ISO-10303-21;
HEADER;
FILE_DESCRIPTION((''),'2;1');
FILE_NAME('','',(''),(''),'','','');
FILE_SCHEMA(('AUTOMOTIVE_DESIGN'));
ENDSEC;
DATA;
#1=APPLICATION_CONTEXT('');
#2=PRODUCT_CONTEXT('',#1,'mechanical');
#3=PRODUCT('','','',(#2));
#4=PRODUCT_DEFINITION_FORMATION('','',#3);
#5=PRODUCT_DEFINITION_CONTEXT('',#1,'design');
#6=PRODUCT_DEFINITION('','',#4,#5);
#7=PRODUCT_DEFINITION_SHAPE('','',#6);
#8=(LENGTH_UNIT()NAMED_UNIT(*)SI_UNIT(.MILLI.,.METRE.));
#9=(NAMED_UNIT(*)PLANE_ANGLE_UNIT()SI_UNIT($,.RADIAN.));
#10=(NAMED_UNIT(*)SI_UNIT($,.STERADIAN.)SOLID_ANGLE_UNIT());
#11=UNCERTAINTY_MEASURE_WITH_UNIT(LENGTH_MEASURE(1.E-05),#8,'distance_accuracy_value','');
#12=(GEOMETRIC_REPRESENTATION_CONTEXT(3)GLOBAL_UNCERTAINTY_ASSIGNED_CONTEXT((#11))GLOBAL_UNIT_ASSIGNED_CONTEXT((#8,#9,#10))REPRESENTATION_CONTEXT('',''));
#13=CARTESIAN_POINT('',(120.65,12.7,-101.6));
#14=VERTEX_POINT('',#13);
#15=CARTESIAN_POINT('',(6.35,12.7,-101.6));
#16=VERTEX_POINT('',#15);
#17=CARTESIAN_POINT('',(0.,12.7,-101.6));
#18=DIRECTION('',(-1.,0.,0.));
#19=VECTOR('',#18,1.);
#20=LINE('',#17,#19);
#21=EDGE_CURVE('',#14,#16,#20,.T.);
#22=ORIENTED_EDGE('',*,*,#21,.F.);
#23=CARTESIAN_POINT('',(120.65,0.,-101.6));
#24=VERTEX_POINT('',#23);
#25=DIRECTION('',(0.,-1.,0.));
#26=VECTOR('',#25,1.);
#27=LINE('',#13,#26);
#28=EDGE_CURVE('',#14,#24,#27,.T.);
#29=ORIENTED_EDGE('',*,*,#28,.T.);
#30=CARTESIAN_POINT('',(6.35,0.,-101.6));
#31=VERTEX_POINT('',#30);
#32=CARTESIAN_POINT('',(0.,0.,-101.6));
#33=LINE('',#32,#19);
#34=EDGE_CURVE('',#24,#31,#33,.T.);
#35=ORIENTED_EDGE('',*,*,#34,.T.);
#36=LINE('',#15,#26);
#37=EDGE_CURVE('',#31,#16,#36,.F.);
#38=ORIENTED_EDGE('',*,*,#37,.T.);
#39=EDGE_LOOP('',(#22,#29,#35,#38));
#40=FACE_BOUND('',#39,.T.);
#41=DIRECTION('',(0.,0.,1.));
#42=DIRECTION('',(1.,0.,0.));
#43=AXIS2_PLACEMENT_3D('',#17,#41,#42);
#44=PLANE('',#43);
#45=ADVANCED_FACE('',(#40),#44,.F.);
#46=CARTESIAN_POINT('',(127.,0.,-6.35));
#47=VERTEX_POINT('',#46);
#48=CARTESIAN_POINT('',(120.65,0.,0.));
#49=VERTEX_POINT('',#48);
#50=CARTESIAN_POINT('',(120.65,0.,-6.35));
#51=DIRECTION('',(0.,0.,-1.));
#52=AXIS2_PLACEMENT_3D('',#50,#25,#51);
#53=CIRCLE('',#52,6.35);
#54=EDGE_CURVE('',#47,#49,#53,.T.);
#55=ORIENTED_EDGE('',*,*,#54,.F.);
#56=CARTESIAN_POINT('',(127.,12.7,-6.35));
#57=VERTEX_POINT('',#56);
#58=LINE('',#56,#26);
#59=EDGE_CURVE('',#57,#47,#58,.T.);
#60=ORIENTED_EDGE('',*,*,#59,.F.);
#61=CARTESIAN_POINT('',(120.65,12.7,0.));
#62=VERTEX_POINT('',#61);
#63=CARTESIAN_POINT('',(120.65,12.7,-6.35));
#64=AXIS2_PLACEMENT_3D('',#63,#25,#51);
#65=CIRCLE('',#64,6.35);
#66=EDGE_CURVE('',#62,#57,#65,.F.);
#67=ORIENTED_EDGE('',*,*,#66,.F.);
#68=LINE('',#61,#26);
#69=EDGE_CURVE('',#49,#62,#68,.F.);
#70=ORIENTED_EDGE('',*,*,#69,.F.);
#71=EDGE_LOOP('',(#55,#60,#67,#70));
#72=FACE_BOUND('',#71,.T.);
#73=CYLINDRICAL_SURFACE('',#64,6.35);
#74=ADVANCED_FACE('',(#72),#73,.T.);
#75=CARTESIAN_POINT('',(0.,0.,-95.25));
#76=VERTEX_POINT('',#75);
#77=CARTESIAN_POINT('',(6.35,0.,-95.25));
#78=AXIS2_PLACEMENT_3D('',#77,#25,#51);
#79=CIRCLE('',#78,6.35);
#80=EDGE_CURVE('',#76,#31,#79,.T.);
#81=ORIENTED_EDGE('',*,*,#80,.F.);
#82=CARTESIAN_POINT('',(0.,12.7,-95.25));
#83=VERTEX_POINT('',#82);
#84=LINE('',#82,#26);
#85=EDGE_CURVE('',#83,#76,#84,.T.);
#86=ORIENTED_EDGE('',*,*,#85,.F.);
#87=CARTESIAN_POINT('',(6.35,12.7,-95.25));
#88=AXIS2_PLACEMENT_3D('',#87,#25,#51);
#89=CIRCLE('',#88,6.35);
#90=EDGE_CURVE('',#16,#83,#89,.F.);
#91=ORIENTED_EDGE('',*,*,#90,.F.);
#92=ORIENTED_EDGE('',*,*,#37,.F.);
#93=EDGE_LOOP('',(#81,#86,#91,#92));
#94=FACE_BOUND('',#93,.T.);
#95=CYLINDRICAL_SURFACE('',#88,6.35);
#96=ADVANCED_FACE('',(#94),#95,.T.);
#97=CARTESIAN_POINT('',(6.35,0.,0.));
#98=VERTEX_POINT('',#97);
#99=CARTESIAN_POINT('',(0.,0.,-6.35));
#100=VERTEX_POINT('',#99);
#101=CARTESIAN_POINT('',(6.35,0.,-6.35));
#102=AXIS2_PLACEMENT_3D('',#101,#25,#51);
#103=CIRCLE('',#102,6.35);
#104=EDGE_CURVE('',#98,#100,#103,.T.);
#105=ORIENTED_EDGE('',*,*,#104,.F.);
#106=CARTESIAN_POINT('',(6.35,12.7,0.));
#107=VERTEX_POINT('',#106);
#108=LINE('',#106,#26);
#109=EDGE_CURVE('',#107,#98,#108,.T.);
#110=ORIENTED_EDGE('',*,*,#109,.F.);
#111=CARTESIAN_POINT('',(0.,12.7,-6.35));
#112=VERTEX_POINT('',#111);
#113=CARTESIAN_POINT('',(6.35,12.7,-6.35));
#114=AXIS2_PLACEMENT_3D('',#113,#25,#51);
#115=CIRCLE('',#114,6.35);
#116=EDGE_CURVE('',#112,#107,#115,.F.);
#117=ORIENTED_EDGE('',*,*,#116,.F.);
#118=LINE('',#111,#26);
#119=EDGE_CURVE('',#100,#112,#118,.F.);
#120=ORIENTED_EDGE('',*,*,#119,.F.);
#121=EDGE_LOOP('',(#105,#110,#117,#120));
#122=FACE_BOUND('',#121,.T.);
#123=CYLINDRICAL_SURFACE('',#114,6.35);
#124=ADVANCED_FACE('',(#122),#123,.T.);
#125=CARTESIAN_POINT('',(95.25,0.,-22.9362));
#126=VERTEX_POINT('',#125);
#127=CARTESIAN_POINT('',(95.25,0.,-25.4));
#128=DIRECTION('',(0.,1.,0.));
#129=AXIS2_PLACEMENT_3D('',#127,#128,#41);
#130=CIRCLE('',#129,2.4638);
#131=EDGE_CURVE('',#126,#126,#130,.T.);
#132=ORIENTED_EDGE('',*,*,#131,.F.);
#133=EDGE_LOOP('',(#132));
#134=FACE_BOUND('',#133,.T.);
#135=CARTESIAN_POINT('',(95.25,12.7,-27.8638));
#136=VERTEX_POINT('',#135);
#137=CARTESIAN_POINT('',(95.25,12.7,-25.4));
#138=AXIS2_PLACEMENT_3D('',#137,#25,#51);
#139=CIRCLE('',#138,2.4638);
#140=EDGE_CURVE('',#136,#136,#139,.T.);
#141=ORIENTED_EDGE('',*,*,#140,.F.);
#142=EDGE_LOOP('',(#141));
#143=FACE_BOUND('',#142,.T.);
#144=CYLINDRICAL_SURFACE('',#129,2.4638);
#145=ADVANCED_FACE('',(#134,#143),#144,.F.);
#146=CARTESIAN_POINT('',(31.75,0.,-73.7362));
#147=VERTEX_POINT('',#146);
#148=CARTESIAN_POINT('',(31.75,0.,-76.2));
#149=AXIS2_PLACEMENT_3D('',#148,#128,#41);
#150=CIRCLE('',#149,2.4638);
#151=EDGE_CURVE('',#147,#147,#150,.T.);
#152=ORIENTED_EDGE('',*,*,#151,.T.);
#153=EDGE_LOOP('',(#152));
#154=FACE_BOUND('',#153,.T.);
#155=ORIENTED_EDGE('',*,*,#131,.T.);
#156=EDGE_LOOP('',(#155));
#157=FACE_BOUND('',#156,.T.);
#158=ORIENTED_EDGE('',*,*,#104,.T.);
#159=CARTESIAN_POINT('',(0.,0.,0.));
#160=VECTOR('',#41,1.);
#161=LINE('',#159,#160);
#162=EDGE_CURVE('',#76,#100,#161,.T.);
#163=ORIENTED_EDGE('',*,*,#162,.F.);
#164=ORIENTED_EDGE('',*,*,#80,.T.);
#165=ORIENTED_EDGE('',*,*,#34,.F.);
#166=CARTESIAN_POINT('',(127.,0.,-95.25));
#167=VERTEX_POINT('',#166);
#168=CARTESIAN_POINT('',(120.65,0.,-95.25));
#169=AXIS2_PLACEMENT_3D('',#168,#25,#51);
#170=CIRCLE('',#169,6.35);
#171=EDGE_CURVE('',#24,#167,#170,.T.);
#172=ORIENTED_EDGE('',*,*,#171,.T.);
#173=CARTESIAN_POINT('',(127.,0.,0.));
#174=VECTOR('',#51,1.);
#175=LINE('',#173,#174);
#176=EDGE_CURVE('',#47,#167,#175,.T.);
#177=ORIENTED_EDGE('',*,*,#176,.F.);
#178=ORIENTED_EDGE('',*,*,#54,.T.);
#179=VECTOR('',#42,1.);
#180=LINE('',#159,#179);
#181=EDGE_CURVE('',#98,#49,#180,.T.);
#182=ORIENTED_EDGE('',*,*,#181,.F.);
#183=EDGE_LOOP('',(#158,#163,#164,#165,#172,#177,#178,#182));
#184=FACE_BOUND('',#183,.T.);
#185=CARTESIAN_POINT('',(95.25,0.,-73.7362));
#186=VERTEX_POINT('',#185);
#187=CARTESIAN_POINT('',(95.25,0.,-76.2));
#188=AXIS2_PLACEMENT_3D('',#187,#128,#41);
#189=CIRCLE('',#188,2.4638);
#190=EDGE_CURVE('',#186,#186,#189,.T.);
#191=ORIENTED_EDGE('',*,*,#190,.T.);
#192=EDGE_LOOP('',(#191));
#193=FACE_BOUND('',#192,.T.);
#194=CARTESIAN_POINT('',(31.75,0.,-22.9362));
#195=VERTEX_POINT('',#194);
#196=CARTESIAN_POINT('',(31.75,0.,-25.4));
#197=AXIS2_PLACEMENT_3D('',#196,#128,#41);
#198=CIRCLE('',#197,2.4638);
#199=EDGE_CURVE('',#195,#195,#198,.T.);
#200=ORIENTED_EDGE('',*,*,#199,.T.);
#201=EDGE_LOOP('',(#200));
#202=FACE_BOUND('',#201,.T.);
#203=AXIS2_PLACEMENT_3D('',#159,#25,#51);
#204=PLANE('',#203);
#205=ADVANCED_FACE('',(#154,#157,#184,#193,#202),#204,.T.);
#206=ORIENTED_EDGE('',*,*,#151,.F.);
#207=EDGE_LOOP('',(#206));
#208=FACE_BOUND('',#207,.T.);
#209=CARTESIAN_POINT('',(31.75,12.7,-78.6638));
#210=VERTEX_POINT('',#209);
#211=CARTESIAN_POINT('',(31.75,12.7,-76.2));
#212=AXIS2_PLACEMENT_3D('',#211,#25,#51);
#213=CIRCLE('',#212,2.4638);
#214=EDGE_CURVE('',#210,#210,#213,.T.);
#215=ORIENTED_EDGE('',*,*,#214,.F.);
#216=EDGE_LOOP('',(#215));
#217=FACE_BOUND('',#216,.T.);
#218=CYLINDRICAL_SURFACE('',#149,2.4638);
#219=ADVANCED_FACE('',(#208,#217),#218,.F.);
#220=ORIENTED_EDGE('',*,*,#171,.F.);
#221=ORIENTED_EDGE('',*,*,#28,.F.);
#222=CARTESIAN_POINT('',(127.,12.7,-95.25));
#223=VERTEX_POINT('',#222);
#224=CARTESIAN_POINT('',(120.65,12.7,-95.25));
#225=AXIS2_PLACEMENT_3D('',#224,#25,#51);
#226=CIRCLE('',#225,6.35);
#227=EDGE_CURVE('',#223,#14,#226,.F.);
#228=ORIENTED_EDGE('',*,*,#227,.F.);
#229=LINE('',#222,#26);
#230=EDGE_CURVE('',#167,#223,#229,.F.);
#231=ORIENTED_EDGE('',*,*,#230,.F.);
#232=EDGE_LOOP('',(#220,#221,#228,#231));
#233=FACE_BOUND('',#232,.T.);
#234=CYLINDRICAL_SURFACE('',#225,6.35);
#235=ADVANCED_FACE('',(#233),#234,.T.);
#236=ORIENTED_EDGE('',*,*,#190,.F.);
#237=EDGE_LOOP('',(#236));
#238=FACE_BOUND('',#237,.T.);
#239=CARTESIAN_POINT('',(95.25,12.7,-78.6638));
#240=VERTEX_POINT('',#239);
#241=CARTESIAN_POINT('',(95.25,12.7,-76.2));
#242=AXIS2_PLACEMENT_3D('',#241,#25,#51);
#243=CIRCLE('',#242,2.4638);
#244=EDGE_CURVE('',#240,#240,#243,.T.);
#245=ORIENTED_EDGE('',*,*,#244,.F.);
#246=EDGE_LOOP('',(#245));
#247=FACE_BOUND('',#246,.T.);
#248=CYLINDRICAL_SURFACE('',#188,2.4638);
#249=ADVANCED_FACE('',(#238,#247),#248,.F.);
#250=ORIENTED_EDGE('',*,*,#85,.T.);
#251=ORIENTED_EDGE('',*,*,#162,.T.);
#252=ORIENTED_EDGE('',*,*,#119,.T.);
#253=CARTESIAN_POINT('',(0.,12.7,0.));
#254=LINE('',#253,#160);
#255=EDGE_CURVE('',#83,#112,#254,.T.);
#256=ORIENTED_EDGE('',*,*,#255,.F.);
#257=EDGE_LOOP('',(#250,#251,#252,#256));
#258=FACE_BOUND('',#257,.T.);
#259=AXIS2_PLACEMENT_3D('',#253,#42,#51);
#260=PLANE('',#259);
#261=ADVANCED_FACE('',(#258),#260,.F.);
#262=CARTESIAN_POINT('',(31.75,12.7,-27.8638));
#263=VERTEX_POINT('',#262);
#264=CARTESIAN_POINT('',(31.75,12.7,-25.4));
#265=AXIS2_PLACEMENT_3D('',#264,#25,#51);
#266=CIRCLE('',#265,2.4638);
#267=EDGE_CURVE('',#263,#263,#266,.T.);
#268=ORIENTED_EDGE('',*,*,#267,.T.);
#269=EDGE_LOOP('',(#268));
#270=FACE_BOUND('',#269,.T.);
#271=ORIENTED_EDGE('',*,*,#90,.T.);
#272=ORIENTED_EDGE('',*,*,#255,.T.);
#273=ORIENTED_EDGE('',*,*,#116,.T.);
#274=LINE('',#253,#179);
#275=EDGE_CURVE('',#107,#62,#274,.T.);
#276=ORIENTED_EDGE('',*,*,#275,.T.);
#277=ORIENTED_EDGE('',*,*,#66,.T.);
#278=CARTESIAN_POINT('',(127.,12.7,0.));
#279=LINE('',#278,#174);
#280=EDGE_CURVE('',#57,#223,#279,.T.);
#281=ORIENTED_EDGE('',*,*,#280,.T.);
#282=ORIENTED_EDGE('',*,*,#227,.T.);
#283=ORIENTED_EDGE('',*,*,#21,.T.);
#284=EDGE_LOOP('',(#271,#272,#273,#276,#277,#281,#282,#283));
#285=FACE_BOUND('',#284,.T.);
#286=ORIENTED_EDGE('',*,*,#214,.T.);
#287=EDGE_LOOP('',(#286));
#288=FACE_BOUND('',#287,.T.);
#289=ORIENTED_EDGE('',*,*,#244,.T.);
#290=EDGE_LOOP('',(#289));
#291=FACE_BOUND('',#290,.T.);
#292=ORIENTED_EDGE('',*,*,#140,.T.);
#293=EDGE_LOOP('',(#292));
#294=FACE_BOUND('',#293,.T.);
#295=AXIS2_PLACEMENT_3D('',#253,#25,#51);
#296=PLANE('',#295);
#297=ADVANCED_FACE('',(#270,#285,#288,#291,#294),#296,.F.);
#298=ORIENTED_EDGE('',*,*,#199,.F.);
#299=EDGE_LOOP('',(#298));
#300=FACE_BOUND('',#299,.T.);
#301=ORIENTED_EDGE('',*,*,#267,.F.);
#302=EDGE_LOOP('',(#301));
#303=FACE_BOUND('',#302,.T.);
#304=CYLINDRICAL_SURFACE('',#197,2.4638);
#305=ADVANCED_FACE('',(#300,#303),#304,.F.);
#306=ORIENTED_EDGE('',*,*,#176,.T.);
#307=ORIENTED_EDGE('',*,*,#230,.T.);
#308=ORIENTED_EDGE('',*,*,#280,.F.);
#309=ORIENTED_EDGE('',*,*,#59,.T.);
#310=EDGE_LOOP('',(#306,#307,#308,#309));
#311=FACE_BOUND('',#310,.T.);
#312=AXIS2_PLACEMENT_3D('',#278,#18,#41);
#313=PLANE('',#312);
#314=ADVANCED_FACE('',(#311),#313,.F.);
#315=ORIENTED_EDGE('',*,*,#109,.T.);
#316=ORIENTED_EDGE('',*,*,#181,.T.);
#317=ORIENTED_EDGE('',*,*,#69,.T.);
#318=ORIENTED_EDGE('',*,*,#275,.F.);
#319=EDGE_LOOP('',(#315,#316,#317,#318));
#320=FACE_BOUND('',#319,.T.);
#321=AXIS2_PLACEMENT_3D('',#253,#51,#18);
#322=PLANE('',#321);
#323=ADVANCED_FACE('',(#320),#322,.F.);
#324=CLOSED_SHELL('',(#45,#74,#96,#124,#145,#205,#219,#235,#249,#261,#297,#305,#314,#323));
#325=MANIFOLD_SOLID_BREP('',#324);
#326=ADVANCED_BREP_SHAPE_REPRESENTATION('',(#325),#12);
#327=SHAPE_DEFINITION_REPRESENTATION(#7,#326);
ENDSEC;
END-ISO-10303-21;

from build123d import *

# Parameters (mm, degrees)
SKETCH1_W               = 127
SKETCH1_H               = 101.6
BOSS_EXTRUDE1_DEPTH     = 12.7
CUT_EXTRUDE1_DEPTH      = 164.134453749
CUT_EXTRUDE1_DEPTH_BACK = 164.134453749
SKETCH2_R               = 2.4638
FILLET1_R               = 6.35


with BuildPart() as part:
    # Sketch1 → Boss-Extrude1 (new body)
    with BuildSketch(Plane(origin=(0, 0, 0), x_dir=(1, 0, 0), z_dir=(0, 1, 0))):
        with Locations((63.5, 50.8)):
            Rectangle(SKETCH1_W, SKETCH1_H)
    extrude(amount=BOSS_EXTRUDE1_DEPTH)

    # Sketch2 → Cut-Extrude1 (cut, two sides: drawn at the far end of the back side and taken through both)
    with BuildSketch(Plane(origin=(0, 12.7, 0), x_dir=(1, 0, 0), z_dir=(0, 1, 0)).offset(-CUT_EXTRUDE1_DEPTH_BACK)):
        with Locations(Location((31.75, 76.2, 0), (0, 0, 270))):
            Circle(SKETCH2_R)
        with Locations(Location((95.25, 76.2, 0), (0, 0, 270))):
            Circle(SKETCH2_R)
        with Locations(Location((95.25, 25.4, 0), (0, 0, 270))):
            Circle(SKETCH2_R)
        with Locations(Location((31.75, 25.4, 0), (0, 0, 270))):
            Circle(SKETCH2_R)
    extrude(amount=CUT_EXTRUDE1_DEPTH + CUT_EXTRUDE1_DEPTH_BACK, mode=Mode.SUBTRACT)

    # Fillet1
    fillet1_edges = [part.edges().sort_by_distance(p)[0] for p in [
        (0, 6.35, -101.6),
        (127, 6.35, -101.6),
        (127, 6.35, 0),
        (0, 6.35, 0),
    ]]
    fillet(fillet1_edges, radius=FILLET1_R)


solid = part.part
